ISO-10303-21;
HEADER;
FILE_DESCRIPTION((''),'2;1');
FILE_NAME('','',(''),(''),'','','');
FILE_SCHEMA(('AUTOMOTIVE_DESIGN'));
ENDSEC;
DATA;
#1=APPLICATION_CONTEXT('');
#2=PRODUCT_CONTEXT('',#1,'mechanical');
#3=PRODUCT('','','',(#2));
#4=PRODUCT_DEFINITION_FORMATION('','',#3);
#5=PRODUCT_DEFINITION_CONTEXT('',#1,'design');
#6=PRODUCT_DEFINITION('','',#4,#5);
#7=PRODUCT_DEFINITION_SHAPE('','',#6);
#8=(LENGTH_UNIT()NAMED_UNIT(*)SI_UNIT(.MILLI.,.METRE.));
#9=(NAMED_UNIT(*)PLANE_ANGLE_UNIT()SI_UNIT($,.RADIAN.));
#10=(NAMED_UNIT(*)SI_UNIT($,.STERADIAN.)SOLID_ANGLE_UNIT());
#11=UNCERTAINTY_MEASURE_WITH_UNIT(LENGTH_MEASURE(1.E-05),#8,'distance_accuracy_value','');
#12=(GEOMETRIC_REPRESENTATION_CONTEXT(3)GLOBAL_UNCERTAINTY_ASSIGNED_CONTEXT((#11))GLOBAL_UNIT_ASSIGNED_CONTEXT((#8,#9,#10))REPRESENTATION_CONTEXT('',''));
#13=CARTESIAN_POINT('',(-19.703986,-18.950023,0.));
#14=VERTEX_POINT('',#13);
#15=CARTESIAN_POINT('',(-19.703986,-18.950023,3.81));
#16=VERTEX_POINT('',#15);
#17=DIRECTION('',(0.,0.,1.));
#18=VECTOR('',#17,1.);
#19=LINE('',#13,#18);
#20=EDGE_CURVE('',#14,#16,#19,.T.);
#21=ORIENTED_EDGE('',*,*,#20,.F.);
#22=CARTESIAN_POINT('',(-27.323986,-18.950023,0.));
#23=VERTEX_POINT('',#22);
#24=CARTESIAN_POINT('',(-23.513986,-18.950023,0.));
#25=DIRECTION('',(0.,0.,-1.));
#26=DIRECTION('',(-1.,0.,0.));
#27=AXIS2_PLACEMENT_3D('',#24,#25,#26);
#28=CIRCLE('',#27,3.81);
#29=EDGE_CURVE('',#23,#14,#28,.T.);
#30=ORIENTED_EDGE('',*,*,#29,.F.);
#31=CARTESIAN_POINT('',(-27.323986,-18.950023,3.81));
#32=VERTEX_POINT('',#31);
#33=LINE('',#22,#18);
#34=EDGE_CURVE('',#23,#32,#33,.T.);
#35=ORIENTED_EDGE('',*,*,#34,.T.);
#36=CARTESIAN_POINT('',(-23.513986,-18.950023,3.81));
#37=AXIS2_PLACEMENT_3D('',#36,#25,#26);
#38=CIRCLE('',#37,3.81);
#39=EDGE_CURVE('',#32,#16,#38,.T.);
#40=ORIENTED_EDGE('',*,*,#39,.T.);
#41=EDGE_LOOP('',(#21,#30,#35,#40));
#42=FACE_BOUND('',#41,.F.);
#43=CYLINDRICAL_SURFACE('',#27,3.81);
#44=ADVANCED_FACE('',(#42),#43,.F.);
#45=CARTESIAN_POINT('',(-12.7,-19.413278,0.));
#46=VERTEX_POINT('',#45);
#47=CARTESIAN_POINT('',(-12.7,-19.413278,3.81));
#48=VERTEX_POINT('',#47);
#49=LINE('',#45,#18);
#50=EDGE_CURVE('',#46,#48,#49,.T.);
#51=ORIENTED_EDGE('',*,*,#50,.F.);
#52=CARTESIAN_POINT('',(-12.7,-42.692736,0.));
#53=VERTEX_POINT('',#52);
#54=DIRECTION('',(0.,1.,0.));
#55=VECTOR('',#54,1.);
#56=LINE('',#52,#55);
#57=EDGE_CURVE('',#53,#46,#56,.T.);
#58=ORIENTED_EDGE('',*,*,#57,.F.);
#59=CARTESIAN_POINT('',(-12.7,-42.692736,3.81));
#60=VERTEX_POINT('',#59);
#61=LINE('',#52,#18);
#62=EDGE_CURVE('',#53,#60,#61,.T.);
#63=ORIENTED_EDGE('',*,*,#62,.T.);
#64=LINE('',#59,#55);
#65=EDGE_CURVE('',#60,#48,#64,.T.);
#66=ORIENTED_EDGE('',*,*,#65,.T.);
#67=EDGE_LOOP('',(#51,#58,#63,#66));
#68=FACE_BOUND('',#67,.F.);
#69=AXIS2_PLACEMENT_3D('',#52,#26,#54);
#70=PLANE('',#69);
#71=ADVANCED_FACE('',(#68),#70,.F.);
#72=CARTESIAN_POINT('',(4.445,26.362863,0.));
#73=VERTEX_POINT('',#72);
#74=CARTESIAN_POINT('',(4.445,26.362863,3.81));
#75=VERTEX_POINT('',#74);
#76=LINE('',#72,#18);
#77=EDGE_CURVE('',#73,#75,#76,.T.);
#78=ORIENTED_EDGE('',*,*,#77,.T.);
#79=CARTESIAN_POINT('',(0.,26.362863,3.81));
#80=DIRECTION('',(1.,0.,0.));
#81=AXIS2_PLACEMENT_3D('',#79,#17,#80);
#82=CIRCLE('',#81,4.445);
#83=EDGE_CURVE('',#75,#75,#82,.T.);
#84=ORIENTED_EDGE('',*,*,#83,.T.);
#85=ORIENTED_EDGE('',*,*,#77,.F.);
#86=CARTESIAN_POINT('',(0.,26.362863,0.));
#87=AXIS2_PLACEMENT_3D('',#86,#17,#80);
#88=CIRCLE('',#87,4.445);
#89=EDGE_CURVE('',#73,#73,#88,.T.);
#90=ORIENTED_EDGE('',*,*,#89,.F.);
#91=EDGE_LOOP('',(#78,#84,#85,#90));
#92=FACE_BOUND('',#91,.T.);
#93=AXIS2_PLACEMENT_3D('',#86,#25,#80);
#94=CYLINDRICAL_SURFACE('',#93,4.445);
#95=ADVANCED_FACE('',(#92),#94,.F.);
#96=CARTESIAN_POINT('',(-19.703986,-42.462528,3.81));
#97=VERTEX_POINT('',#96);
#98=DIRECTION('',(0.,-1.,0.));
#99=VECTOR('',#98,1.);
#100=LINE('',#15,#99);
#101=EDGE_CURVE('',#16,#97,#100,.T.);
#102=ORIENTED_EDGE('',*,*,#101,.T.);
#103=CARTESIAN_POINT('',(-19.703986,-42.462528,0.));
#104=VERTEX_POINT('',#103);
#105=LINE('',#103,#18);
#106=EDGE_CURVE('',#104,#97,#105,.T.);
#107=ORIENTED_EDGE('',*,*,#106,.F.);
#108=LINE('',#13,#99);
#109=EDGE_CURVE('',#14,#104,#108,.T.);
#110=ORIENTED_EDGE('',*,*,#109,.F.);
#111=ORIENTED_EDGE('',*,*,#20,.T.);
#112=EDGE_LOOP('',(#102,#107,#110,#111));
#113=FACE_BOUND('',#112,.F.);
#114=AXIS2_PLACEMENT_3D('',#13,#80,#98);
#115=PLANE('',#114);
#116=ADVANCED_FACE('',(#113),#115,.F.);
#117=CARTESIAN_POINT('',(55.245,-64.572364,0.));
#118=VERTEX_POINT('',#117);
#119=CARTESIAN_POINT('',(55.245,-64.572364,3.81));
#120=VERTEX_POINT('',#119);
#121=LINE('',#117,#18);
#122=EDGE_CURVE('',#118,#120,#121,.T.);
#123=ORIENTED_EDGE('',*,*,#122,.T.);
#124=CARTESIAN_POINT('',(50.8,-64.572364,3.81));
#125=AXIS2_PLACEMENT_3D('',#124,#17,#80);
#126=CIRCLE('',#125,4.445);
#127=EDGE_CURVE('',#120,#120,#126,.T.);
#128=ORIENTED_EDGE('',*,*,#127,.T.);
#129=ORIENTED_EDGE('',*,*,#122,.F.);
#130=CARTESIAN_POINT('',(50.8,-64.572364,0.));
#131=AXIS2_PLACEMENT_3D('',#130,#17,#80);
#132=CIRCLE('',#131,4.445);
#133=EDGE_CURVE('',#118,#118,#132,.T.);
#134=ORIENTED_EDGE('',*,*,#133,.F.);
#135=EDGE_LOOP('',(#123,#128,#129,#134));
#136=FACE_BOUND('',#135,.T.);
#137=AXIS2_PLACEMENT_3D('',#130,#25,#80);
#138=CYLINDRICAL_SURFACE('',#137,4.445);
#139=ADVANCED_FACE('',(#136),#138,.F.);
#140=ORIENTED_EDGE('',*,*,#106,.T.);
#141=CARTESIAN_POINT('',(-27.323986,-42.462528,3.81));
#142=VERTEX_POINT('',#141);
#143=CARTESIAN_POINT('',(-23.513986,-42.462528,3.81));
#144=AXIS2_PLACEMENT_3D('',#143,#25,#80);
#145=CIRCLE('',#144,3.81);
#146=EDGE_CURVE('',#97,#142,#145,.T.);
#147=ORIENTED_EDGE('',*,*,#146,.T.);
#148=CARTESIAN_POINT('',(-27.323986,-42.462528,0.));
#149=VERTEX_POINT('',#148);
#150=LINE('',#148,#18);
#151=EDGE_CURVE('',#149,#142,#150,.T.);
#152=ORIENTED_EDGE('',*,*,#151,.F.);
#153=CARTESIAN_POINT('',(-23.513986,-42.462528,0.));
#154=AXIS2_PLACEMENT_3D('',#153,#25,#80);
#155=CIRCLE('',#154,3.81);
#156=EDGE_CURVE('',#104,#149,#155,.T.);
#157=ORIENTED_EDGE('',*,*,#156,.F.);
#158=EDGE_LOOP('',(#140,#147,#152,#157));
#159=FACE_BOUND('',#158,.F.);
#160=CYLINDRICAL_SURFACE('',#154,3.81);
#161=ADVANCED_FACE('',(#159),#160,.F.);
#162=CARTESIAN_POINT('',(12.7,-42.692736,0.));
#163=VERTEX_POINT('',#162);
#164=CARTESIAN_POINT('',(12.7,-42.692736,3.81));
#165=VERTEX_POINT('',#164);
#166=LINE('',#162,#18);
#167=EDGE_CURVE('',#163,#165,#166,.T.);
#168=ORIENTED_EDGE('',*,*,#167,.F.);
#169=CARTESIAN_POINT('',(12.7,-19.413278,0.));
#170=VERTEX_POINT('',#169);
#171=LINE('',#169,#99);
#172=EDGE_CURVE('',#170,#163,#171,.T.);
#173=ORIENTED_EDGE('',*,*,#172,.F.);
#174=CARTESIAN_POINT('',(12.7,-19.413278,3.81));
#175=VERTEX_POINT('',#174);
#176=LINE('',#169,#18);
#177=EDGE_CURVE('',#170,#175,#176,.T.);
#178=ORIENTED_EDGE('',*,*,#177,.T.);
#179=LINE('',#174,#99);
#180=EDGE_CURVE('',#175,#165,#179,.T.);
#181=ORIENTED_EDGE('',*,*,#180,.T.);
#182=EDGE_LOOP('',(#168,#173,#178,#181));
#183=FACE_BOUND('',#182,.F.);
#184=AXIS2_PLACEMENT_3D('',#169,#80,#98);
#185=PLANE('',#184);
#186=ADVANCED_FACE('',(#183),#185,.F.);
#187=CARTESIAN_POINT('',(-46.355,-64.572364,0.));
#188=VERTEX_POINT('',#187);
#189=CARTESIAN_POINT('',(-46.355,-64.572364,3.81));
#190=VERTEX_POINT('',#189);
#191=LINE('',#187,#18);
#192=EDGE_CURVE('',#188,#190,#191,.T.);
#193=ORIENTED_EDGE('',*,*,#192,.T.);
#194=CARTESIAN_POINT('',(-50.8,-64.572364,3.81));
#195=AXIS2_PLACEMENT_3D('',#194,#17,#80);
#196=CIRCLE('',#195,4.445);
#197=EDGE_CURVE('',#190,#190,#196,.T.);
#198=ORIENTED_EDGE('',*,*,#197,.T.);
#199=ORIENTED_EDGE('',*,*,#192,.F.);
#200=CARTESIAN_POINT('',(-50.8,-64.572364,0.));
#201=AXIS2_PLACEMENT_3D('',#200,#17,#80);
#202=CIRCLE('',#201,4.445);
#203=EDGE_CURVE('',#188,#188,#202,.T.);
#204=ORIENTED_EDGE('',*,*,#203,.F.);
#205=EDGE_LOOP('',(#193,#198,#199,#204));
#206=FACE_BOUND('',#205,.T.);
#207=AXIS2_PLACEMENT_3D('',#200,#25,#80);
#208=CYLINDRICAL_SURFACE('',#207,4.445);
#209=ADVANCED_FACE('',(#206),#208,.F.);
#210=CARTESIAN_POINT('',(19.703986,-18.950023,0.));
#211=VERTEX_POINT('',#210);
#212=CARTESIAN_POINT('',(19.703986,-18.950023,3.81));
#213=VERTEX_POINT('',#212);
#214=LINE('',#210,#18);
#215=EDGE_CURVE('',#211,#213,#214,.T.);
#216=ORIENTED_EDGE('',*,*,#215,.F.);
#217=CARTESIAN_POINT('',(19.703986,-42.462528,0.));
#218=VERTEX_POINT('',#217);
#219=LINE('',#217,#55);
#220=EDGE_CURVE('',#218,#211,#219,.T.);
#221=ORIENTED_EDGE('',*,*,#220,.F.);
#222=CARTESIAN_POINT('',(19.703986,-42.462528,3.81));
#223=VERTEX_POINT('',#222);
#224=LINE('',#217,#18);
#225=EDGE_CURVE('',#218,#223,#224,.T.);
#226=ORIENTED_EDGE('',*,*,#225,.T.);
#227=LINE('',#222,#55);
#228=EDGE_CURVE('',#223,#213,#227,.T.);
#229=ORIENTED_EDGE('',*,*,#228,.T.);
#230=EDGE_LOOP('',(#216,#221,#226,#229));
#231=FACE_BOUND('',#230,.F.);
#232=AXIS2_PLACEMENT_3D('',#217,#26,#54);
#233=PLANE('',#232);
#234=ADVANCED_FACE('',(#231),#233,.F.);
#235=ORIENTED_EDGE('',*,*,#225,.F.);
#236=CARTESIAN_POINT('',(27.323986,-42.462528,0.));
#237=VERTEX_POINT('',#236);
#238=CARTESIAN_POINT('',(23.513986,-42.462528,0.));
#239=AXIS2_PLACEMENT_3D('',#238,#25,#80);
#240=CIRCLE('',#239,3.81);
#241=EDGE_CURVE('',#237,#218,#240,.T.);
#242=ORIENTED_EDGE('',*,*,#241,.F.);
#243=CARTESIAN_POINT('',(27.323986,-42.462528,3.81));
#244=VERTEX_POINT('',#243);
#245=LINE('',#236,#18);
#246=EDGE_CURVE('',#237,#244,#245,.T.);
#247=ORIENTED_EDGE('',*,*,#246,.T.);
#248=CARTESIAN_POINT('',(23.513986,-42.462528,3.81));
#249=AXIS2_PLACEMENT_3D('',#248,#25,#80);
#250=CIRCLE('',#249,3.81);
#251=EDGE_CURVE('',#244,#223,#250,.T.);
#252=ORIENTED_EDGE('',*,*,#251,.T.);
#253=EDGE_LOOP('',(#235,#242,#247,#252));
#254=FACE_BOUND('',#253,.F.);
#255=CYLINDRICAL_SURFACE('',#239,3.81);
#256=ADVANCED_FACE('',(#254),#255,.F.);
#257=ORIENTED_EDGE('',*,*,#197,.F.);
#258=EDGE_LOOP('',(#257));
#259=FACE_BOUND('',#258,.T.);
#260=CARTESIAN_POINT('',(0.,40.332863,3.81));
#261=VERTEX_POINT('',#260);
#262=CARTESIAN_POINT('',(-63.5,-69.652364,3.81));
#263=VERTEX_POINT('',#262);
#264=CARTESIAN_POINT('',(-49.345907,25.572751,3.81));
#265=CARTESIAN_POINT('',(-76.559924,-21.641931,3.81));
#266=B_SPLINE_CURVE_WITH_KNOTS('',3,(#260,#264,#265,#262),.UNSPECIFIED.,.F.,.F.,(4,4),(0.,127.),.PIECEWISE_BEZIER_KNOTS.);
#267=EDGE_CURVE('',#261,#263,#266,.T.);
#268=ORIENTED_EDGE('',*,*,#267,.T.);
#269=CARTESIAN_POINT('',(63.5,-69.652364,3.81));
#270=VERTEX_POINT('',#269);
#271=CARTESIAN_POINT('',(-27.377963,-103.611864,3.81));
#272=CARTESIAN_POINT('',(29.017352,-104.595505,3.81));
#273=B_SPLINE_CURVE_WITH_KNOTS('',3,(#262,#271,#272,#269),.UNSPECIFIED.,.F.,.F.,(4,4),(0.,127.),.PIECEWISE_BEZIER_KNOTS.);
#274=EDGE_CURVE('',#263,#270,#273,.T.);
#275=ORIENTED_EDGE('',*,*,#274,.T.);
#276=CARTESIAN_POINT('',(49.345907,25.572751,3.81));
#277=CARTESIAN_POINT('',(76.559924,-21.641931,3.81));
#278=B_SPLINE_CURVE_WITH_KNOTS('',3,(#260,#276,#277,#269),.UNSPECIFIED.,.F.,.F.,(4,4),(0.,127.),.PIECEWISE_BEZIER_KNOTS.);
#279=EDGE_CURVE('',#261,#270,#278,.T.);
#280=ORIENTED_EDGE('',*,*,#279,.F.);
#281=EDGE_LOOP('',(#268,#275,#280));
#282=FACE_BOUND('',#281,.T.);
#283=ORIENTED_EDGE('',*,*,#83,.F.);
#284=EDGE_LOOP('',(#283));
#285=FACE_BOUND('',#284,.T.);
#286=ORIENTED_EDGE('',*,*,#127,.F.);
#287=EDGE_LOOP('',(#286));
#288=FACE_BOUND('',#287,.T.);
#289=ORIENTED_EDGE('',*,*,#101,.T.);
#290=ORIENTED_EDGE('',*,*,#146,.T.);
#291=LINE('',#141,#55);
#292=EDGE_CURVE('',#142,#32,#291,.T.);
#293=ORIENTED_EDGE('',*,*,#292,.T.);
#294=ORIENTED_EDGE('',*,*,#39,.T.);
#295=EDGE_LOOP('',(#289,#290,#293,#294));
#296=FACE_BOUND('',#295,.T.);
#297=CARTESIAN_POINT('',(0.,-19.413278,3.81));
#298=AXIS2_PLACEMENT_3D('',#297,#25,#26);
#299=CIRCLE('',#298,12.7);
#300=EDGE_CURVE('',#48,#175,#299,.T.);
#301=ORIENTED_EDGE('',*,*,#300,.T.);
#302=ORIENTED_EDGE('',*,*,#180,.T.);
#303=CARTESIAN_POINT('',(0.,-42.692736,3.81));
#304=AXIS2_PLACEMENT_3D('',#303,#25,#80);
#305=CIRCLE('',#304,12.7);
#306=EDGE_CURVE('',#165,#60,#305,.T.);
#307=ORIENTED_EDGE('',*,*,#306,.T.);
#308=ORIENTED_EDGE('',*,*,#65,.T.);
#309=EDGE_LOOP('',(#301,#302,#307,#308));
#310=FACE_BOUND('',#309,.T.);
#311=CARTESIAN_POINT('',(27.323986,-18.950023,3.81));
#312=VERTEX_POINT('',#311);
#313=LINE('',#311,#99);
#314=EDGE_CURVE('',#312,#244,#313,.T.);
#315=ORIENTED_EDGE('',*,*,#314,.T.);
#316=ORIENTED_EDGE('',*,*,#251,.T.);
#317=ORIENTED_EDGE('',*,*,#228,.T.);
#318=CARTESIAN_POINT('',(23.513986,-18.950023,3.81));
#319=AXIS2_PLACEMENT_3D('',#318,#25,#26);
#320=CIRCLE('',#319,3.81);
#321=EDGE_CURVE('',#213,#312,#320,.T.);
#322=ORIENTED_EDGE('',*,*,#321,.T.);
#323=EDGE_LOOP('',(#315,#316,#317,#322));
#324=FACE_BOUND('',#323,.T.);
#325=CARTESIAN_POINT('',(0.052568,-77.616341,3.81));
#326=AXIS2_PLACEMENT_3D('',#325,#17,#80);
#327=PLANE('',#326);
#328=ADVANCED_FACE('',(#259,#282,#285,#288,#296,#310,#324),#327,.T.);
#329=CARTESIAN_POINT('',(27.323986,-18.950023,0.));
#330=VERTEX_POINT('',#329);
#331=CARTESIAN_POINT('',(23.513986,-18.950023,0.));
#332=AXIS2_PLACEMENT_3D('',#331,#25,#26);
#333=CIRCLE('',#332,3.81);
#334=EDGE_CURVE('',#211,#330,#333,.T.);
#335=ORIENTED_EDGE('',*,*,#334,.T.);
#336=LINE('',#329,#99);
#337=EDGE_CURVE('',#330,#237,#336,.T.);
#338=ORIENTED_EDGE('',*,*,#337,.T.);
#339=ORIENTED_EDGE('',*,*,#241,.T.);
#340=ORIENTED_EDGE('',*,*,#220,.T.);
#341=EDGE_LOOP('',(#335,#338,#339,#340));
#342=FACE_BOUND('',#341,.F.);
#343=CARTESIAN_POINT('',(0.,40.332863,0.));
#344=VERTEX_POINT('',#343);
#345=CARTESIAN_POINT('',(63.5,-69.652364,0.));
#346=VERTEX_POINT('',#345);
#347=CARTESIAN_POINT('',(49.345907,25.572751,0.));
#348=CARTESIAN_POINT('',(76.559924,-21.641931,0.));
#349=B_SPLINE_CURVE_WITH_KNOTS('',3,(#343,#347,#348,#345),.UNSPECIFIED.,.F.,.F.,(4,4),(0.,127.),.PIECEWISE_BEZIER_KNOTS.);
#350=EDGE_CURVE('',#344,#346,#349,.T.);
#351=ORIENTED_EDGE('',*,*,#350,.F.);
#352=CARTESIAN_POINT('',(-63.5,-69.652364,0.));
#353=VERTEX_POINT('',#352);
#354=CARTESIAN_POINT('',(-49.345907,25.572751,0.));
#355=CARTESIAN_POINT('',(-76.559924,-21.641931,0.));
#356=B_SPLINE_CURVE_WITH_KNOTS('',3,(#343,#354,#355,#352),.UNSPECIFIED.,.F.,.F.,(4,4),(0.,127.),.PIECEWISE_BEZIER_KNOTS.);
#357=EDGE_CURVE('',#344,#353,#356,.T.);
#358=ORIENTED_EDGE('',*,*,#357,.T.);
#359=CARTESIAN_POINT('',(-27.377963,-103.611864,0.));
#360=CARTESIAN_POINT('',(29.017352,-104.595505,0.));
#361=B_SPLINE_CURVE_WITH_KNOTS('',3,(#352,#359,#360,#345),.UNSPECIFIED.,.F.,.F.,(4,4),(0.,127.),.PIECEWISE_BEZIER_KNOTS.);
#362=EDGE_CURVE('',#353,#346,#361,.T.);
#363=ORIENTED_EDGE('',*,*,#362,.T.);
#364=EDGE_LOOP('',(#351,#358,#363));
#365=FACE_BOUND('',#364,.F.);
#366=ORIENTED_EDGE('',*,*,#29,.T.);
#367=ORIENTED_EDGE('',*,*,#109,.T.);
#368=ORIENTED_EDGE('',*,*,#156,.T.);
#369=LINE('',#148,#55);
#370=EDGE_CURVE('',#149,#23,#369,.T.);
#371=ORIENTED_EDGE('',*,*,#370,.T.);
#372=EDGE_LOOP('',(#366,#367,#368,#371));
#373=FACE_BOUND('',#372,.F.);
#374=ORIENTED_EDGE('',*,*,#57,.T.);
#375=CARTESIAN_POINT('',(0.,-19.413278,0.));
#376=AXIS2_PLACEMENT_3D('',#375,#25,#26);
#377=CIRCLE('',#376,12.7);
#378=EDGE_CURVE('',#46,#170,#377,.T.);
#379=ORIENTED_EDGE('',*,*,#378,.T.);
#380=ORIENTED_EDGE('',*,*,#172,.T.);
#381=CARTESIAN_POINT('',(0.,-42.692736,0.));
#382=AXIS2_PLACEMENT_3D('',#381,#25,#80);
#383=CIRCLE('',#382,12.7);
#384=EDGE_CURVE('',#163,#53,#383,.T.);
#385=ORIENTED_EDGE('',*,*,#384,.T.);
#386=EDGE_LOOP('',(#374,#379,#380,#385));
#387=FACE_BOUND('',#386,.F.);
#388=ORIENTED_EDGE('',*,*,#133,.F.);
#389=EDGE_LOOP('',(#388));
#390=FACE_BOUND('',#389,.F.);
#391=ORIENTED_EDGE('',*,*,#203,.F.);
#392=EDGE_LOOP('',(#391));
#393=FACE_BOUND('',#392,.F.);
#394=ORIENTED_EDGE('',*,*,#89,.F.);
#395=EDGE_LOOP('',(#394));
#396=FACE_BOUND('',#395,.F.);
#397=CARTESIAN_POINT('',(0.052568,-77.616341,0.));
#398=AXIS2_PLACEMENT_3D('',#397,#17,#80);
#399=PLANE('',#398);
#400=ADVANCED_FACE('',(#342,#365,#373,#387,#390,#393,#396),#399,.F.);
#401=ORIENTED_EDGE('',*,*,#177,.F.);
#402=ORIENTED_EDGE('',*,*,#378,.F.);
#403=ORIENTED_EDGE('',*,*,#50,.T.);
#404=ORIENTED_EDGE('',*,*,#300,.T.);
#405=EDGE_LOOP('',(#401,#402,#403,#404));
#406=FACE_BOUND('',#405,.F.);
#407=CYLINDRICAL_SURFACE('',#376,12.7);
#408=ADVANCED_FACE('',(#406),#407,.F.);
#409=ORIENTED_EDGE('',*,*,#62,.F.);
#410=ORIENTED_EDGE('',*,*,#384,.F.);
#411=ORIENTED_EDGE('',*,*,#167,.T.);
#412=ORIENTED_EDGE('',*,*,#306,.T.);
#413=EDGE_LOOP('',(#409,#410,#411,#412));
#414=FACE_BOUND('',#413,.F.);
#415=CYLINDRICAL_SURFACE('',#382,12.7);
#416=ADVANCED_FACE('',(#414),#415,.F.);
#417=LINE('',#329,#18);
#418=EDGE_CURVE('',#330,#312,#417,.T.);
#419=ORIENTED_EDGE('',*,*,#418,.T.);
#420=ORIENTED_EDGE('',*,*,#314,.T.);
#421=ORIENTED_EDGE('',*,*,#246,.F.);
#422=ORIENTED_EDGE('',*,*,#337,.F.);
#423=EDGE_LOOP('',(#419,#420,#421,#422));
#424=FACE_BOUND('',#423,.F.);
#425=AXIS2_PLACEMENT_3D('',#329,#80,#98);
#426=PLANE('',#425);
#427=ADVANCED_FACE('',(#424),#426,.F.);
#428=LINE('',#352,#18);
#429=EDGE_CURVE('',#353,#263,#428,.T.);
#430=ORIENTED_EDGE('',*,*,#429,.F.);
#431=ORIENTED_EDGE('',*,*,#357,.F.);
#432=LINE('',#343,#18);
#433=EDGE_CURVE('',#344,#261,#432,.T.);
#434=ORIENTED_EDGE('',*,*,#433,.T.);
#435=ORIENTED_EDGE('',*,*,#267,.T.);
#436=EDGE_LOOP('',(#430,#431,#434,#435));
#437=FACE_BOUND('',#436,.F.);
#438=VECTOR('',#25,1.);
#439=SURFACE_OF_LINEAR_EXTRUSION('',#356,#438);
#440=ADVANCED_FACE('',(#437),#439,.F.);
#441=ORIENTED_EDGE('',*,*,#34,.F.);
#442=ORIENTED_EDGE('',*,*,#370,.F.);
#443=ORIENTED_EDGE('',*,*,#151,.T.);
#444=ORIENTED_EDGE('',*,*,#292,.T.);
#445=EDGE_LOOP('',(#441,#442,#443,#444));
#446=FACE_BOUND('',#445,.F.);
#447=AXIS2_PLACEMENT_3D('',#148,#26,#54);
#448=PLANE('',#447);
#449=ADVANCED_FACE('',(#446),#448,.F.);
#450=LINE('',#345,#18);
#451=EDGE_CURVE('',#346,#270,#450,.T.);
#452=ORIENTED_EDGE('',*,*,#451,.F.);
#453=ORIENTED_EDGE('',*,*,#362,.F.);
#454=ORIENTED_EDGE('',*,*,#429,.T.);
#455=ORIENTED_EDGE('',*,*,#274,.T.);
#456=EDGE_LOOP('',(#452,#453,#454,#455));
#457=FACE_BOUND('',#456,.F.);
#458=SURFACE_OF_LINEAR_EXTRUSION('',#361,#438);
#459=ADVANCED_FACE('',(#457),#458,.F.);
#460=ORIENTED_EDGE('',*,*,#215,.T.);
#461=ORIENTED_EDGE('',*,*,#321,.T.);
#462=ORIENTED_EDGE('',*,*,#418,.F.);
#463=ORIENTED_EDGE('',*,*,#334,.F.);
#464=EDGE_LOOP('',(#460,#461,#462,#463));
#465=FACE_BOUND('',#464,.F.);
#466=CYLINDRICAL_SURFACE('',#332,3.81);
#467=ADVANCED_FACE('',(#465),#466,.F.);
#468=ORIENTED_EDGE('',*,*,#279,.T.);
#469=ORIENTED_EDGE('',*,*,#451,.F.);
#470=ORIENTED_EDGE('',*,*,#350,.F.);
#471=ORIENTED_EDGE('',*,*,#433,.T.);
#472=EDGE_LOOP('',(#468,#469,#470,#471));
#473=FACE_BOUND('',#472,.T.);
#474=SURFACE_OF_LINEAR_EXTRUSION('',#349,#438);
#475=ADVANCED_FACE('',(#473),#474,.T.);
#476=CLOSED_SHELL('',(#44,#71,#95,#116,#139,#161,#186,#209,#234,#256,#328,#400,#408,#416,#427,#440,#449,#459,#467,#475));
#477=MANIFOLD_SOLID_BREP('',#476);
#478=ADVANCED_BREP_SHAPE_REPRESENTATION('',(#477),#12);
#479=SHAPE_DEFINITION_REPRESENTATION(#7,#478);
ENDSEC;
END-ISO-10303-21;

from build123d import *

# Parameters (mm, degrees)
F0_R     = 4.445
F1_DEPTH = 3.81


with BuildPart() as f1:
    # F0 (on Top) → F1 (new body)
    with BuildSketch(Plane.XY):
        with BuildLine():
            Line((63.5, -69.652364), (-63.5, -69.652364))
            add(Edge.make_bspline(
                [(-63.5, -69.652364), (-27.377963, -103.611864), (29.017352, -104.595505), (63.5, -69.652364)],
                knots=[0, 0, 0, 0, 127, 127, 127, 127], degree=3))
        make_face()
        with BuildLine():
            add(Edge.make_bspline(
                [(0, 40.332863), (49.345907, 25.572751), (76.559924, -21.641931), (63.5, -69.652364)],
                knots=[0, 0, 0, 0, 127, 127, 127, 127], degree=3))
            Line((0, 40.332863), (63.5, -69.652364))
        make_face()
        Polygon((63.5, -69.652364), (0, 40.332863), (-63.5, -69.652364), align=None)
        with Locations((-50.8, -64.572364)):
            Circle(F0_R, mode=Mode.SUBTRACT)
        with Locations((50.8, -64.572364)):
            Circle(F0_R, mode=Mode.SUBTRACT)
        with BuildLine():
            Line((-19.703986, -18.950023), (-19.703986, -42.462528))
            ThreePointArc((-19.703986, -42.462528), (-23.513986, -46.272528), (-27.323986, -42.462528))
            Line((-27.323986, -42.462528), (-27.323986, -18.950023))
            ThreePointArc((-27.323986, -18.950023), (-23.513986, -15.140023), (-19.703986, -18.950023))
        make_face(mode=Mode.SUBTRACT)
        with BuildLine():
            ThreePointArc((-12.7, -19.413278), (0, -6.713278), (12.7, -19.413278))
            Line((12.7, -19.413278), (12.7, -42.692736))
            ThreePointArc((12.7, -42.692736), (0, -55.392736), (-12.7, -42.692736))
            Line((-12.7, -42.692736), (-12.7, -19.413278))
        make_face(mode=Mode.SUBTRACT)
        with BuildLine():
            Line((19.703986, -42.462528), (19.703986, -18.950023))
            ThreePointArc((19.703986, -18.950023), (23.513986, -15.140023), (27.323986, -18.950023))
            Line((27.323986, -18.950023), (27.323986, -42.462528))
            ThreePointArc((27.323986, -42.462528), (23.513986, -46.272528), (19.703986, -42.462528))
        make_face(mode=Mode.SUBTRACT)
        with Locations((0, 26.362863)):
            Circle(F0_R, mode=Mode.SUBTRACT)
        with BuildLine():
            Line((-63.5, -69.652364), (0, 40.332863))
            add(Edge.make_bspline(
                [(0, 40.332863), (-49.345907, 25.572751), (-76.559924, -21.641931), (-63.5, -69.652364)],
                knots=[0, 0, 0, 0, 127, 127, 127, 127], degree=3))
        make_face()
    extrude(amount=F1_DEPTH)


solid = f1.part
